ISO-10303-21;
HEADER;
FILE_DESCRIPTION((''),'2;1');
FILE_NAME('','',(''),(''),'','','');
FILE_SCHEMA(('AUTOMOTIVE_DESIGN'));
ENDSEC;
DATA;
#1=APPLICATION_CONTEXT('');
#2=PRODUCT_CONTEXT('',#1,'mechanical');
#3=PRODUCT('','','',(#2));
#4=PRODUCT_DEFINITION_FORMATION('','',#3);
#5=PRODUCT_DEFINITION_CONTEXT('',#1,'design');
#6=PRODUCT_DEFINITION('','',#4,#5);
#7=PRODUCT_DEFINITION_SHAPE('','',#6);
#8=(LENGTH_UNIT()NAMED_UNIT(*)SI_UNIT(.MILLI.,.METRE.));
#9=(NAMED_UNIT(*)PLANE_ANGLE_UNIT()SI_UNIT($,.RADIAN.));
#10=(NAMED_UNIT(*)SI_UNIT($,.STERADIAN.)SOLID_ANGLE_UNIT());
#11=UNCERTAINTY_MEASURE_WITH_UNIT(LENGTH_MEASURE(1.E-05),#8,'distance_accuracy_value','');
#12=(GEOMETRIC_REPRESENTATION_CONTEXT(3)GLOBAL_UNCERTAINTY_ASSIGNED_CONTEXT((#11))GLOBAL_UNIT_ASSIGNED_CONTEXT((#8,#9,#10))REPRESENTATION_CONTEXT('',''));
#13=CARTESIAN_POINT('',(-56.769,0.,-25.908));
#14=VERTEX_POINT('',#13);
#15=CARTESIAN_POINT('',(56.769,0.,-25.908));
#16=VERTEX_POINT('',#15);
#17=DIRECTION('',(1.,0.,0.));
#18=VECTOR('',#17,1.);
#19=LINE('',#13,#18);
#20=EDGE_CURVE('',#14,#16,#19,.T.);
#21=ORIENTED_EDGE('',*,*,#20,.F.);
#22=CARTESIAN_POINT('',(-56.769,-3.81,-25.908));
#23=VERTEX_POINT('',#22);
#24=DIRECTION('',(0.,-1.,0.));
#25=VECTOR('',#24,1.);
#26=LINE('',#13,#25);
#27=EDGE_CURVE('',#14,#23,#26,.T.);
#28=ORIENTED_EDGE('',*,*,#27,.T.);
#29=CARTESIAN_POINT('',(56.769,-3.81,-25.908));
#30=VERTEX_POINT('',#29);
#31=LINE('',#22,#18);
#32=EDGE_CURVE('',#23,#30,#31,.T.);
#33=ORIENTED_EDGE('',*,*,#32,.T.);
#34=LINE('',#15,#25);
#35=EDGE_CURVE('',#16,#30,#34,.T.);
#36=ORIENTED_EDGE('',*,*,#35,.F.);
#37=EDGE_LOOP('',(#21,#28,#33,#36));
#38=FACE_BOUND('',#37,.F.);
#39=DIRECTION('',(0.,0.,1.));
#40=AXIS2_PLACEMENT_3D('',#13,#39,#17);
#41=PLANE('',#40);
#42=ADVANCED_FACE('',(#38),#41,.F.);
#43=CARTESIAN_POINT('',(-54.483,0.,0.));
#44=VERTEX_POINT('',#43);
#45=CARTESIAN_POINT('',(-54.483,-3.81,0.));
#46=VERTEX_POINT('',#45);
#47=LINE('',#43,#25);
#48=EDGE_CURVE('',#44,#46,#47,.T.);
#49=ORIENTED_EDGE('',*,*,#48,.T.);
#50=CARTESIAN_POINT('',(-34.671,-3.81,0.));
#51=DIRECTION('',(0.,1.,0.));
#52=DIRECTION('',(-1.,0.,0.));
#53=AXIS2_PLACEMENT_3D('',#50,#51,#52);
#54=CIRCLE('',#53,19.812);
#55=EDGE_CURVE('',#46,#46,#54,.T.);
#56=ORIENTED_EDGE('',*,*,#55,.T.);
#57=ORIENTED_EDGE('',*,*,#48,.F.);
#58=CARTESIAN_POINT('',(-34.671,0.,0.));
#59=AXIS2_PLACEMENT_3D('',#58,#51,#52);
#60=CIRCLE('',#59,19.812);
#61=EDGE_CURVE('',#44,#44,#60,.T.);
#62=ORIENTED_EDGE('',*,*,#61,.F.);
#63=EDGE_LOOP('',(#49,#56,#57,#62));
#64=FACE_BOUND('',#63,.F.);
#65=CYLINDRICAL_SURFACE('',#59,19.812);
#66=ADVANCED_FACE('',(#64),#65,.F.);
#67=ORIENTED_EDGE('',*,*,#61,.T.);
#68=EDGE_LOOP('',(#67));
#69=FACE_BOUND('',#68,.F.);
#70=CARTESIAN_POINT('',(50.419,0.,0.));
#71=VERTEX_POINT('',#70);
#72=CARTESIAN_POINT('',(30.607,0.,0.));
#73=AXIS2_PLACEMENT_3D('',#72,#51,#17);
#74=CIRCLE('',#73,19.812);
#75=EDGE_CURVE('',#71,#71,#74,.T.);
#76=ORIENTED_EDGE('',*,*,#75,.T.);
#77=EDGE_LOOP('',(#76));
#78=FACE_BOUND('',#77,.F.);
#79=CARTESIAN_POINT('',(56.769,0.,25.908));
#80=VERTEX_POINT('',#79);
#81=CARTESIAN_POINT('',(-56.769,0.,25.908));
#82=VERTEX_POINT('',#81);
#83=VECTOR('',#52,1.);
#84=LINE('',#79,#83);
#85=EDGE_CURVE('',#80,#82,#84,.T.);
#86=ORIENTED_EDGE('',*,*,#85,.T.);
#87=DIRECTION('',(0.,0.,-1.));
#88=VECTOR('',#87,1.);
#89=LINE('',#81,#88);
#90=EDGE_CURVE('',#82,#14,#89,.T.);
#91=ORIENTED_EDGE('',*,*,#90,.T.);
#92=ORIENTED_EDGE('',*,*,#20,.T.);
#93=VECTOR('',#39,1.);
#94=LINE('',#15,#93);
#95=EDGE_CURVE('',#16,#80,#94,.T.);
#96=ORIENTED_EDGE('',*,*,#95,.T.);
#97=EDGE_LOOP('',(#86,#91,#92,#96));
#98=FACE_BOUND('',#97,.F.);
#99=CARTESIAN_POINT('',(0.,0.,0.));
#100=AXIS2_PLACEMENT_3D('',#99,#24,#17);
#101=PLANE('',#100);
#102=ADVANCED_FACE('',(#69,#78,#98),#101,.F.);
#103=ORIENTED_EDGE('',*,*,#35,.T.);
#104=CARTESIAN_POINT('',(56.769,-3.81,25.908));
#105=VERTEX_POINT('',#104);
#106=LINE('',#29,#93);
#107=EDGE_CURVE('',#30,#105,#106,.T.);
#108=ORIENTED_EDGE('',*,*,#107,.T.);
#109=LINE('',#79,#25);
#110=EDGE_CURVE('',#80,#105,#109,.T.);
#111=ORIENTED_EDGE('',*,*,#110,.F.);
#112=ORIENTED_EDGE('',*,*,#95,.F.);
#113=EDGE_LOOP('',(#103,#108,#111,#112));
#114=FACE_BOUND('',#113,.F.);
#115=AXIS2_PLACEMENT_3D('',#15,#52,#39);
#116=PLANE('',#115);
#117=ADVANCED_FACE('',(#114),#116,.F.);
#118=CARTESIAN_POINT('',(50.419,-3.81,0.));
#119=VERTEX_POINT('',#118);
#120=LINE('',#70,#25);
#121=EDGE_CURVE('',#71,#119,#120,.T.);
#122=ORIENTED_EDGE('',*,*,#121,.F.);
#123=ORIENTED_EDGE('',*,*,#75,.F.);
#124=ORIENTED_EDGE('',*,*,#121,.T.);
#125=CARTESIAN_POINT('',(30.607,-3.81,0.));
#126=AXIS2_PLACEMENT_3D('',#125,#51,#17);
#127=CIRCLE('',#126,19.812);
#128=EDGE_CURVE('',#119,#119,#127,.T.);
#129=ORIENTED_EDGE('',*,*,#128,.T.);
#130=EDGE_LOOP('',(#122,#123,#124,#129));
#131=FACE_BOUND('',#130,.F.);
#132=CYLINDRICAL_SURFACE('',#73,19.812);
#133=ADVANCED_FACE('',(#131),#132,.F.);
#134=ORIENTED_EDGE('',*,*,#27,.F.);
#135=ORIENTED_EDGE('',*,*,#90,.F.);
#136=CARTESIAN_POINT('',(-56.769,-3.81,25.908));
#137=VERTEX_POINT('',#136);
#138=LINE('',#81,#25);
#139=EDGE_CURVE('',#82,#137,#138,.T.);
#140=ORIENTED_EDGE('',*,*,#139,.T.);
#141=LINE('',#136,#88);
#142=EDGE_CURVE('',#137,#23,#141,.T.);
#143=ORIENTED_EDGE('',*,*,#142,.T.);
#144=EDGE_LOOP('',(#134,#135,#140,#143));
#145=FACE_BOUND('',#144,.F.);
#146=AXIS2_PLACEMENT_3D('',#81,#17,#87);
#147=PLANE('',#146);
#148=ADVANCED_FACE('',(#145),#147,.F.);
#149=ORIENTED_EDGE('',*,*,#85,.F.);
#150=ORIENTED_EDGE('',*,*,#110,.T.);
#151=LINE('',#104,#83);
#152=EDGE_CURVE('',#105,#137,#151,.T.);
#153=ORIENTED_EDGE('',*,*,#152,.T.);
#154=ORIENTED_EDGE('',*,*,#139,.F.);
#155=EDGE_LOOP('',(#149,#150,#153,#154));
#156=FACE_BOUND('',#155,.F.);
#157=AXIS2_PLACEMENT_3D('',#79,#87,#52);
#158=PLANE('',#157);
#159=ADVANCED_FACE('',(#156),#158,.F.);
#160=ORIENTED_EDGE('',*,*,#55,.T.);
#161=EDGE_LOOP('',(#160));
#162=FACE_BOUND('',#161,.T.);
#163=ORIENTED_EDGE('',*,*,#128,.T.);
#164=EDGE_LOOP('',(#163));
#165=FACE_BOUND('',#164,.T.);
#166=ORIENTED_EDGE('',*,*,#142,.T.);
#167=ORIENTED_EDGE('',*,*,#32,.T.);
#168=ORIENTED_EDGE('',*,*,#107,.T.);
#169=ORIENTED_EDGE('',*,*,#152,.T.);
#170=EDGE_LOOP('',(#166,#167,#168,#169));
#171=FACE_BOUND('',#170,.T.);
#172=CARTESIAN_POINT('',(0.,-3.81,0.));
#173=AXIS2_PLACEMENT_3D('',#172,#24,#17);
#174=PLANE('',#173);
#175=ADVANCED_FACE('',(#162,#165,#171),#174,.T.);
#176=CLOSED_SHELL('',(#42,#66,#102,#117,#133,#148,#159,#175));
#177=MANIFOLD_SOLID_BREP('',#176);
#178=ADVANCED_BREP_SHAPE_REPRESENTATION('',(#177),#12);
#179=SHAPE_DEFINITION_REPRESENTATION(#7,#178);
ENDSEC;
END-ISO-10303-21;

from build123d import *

# Parameters (mm, degrees)
F1_DEPTH = 3.81


with BuildPart() as f1:
    # F0 (on Front) → F1 (new body)
    with BuildSketch(Plane.XZ):
        Polygon((-56.769, 0), (-56.769, -25.908), (56.769, -25.908), (56.769, 0), (56.769, 25.908), (-56.769, 25.908), align=None)
        with BuildLine():
            ThreePointArc((-14.859, 0), (-34.671, -19.812), (-54.483, 0))
            ThreePointArc((-54.483, 0), (-34.671, 19.812), (-14.859, 0))
        make_face(mode=Mode.SUBTRACT)
        with BuildLine():
            ThreePointArc((10.795, 0), (30.607, 19.812), (50.419, 0))
            ThreePointArc((50.419, 0), (30.607, -19.812), (10.795, 0))
        make_face(mode=Mode.SUBTRACT)
    extrude(amount=F1_DEPTH)


solid = f1.part
